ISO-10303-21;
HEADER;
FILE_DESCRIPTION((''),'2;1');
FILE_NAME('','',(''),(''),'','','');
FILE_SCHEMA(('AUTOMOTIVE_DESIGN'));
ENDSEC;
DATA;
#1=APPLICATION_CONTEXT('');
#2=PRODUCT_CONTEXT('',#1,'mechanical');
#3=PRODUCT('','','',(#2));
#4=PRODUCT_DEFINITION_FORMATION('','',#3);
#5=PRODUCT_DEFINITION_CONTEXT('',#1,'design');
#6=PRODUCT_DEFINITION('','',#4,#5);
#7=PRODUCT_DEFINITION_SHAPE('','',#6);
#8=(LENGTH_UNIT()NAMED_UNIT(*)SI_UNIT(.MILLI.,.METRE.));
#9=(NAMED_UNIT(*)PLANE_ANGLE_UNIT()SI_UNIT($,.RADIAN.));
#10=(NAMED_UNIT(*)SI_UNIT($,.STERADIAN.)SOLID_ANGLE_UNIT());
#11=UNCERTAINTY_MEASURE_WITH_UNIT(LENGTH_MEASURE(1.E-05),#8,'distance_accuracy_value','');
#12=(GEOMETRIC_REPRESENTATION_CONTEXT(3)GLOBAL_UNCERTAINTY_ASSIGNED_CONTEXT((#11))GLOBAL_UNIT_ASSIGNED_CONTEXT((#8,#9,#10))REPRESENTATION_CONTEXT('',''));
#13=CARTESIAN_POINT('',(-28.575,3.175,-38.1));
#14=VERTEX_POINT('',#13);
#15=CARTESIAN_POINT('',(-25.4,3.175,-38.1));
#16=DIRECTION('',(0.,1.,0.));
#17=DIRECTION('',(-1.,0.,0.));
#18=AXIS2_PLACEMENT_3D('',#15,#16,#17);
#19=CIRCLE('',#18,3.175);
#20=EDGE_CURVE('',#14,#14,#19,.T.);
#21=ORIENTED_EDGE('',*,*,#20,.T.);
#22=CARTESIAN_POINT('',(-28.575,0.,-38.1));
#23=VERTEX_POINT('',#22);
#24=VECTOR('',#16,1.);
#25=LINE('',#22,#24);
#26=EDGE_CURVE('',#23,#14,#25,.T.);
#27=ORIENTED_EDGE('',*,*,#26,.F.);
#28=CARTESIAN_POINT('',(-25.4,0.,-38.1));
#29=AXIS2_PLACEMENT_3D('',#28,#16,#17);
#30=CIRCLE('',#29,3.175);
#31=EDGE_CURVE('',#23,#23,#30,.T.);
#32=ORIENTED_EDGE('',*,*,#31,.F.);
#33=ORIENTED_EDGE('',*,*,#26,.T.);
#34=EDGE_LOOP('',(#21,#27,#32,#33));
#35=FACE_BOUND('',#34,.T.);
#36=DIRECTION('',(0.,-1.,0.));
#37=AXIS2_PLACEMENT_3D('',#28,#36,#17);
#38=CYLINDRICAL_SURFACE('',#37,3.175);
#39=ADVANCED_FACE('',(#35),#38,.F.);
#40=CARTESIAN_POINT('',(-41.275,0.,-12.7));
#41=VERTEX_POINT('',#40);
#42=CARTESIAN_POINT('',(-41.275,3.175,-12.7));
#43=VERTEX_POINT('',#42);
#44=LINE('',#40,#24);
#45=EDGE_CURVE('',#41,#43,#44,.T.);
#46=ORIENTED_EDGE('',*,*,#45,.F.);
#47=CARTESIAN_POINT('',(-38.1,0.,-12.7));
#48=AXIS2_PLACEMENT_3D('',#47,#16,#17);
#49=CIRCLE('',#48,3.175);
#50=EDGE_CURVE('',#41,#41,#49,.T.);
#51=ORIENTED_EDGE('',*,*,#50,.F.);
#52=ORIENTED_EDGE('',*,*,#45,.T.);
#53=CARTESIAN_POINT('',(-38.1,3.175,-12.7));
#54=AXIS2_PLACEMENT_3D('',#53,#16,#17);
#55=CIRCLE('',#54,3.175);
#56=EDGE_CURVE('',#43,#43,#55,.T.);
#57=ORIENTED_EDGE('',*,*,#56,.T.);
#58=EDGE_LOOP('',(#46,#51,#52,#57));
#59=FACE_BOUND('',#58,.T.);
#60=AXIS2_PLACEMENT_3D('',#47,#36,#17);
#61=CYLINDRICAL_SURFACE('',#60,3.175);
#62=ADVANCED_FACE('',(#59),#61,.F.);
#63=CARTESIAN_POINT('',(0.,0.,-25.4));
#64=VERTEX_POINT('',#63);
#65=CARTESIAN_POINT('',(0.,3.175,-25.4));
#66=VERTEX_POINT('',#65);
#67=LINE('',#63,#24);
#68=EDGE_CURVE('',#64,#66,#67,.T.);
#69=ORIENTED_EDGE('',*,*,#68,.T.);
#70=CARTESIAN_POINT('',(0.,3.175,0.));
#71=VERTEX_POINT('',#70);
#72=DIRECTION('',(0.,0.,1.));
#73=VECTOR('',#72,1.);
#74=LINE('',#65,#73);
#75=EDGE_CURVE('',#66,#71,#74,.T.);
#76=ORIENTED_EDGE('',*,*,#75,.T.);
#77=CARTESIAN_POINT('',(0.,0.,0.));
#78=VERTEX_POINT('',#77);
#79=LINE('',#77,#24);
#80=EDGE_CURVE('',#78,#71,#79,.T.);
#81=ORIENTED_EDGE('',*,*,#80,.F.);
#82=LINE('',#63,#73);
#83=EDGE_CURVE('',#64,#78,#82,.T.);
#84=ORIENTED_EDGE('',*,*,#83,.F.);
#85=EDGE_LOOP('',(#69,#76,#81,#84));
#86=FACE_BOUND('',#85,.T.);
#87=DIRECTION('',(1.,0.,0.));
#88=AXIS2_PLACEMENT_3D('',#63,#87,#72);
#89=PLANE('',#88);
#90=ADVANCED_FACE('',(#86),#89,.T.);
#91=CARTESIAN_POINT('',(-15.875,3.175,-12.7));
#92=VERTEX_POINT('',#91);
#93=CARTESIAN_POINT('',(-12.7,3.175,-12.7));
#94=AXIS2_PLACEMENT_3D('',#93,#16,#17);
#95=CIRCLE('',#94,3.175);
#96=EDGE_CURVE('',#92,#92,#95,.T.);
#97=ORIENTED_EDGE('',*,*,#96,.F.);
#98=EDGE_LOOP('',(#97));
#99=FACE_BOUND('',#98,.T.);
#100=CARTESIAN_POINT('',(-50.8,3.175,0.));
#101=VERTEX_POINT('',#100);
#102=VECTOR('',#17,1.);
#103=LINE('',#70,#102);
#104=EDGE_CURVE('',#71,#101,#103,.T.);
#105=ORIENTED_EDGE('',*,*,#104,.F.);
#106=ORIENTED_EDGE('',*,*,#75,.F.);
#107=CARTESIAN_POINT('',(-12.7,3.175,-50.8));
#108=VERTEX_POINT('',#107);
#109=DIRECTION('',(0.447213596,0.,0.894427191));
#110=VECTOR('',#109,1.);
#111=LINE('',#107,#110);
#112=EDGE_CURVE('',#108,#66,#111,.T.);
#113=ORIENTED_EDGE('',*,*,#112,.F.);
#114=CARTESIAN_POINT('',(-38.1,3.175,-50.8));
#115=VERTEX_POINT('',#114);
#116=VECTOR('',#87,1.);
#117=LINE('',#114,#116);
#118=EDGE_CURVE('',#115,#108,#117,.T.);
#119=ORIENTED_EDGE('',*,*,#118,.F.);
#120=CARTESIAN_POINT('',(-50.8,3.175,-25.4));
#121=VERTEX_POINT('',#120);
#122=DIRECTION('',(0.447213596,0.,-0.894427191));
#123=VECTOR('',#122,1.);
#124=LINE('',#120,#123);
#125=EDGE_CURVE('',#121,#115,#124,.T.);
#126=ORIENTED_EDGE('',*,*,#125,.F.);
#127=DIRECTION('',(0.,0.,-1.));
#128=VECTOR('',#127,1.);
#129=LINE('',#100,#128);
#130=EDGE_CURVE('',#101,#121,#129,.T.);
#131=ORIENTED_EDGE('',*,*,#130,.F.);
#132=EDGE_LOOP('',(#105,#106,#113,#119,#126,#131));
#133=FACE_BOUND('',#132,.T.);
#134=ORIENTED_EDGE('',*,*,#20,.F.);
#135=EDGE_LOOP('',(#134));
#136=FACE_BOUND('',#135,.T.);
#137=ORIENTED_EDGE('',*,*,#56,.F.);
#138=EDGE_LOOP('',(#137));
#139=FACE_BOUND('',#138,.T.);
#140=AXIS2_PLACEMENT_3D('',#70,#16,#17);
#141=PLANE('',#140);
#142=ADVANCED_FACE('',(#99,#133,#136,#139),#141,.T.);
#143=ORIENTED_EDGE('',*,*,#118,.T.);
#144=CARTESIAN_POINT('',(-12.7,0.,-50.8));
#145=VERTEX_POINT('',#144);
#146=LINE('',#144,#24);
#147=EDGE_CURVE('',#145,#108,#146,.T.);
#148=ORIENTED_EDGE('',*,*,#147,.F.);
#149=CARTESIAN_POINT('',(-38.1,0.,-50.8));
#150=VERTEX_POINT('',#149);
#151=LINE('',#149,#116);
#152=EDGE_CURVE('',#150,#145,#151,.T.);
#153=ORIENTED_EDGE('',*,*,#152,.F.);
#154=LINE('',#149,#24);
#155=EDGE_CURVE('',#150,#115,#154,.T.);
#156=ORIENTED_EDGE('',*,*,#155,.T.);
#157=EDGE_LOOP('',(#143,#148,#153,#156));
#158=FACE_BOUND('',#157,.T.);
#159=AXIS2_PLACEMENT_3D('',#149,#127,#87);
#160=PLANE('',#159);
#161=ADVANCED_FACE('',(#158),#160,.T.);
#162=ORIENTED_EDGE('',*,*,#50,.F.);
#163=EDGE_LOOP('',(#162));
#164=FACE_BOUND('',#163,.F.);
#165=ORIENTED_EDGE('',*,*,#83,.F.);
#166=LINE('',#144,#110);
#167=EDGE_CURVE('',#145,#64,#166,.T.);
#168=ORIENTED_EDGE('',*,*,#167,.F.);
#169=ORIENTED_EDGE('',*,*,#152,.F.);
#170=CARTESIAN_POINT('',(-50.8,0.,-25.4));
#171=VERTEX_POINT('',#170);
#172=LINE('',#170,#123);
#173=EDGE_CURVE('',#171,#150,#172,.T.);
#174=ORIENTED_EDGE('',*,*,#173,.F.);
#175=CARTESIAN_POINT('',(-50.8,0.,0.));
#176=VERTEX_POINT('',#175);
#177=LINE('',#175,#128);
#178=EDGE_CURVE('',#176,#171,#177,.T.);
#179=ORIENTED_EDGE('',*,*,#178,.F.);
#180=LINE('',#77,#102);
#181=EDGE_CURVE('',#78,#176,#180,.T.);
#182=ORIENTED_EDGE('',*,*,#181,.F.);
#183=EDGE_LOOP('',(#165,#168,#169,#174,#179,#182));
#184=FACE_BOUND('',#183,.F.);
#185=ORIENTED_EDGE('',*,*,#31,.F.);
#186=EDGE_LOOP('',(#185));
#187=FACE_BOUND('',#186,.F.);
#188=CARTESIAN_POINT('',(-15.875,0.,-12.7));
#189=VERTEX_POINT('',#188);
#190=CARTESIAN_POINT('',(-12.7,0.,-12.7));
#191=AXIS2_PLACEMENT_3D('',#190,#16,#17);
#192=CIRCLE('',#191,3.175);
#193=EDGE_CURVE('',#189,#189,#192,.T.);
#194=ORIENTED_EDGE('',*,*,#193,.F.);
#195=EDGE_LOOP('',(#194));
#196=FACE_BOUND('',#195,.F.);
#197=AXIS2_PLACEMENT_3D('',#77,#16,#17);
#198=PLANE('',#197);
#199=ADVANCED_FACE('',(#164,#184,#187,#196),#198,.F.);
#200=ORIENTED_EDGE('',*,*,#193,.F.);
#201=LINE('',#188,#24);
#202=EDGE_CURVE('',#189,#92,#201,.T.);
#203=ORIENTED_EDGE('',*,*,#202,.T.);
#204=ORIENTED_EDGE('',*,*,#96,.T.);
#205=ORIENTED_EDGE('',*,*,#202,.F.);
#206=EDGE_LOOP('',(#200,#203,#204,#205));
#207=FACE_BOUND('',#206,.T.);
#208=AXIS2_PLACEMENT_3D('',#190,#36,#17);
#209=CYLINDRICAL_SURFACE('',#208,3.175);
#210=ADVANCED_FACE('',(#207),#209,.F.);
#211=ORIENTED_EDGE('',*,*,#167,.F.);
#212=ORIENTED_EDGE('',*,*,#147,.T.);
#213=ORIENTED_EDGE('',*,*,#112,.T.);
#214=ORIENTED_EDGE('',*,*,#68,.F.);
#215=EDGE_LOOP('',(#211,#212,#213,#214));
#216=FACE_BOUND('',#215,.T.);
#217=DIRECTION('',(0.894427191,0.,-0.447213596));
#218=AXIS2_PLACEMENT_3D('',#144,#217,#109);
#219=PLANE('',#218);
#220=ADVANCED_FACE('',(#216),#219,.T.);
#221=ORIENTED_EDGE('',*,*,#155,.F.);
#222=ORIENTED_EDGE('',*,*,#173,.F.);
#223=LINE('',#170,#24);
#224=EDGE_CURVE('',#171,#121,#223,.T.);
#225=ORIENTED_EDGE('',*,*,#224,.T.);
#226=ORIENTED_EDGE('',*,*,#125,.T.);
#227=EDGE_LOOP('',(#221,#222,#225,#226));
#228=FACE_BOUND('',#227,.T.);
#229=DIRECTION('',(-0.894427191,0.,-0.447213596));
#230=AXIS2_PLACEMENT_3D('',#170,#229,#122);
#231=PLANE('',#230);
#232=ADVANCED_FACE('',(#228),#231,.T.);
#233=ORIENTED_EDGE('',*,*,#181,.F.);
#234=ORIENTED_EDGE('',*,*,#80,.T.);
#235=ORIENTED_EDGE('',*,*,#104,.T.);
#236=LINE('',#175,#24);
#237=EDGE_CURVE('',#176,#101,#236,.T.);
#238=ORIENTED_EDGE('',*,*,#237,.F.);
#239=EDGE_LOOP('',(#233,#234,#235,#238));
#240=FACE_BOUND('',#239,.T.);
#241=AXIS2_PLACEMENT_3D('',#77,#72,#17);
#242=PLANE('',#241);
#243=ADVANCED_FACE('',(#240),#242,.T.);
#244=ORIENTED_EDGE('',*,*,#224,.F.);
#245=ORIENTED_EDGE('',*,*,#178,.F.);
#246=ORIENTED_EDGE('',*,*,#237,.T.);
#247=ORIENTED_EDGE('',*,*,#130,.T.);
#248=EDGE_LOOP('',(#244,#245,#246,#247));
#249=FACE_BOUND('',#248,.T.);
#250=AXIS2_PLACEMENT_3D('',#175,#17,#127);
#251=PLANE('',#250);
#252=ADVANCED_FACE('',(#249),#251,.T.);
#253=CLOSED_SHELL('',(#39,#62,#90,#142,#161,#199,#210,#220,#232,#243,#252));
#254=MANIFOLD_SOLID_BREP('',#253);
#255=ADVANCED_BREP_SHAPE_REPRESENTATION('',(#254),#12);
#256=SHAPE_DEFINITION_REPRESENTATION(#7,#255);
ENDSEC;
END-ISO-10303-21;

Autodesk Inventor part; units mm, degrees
ref_plane "YZ Plane" through (0, 0, 0) normal (1, 0, 0) x (0, 1, 0)
ref_plane "XZ Plane" through (0, 0, 0) normal (0, 1, 0) x (-1, 0, 0)
ref_plane "XY Plane" through (0, 0, 0) normal (0, 0, 1) x (1, 0, 0)
sketch "Sketch1" plane through (0, 0, 0) normal (0, 1, 0) x (-1, 0, 0)
  line L0 (0, 0) -> (50.8, 0)
  line L1 (50.8, 0) -> (50.8, -25.4)
  line L2 (50.8, -25.4) -> (38.1, -50.8)
  line L3 (38.1, -50.8) -> (12.7, -50.8)
  line L4 (12.7, -50.8) -> (0, -25.4)
  line L5 (0, -25.4) -> (0, 0)
  circle A0 centre (12.7, -12.7) radius 3.175
  circle A1 centre (38.1, -12.7) radius 3.175
  circle A2 centre (25.4, -38.1) radius 3.175
  dimension "d0" = 25.4
  dimension "d1" = 50.8
  dimension "d2" = 25.4
  dimension "d3" = 50.8
  dimension "d4" = 12.7
  dimension "d5" = 6.35
  dimension "d6" = 6.35
  dimension "d7" = 12.7
  dimension "d8" = 12.7
  dimension "d9" = 12.7
  dimension "d10" = 12.7
  dimension "d11" = 6.35
  dimension "d12" = 12.7
  dimension "d13" = 12.7
extrude "Extrusion1" add sketch "Sketch1" along normal blind 3.175
properties part number "15102898-16-P-0212" material "Aluminum 6061"
